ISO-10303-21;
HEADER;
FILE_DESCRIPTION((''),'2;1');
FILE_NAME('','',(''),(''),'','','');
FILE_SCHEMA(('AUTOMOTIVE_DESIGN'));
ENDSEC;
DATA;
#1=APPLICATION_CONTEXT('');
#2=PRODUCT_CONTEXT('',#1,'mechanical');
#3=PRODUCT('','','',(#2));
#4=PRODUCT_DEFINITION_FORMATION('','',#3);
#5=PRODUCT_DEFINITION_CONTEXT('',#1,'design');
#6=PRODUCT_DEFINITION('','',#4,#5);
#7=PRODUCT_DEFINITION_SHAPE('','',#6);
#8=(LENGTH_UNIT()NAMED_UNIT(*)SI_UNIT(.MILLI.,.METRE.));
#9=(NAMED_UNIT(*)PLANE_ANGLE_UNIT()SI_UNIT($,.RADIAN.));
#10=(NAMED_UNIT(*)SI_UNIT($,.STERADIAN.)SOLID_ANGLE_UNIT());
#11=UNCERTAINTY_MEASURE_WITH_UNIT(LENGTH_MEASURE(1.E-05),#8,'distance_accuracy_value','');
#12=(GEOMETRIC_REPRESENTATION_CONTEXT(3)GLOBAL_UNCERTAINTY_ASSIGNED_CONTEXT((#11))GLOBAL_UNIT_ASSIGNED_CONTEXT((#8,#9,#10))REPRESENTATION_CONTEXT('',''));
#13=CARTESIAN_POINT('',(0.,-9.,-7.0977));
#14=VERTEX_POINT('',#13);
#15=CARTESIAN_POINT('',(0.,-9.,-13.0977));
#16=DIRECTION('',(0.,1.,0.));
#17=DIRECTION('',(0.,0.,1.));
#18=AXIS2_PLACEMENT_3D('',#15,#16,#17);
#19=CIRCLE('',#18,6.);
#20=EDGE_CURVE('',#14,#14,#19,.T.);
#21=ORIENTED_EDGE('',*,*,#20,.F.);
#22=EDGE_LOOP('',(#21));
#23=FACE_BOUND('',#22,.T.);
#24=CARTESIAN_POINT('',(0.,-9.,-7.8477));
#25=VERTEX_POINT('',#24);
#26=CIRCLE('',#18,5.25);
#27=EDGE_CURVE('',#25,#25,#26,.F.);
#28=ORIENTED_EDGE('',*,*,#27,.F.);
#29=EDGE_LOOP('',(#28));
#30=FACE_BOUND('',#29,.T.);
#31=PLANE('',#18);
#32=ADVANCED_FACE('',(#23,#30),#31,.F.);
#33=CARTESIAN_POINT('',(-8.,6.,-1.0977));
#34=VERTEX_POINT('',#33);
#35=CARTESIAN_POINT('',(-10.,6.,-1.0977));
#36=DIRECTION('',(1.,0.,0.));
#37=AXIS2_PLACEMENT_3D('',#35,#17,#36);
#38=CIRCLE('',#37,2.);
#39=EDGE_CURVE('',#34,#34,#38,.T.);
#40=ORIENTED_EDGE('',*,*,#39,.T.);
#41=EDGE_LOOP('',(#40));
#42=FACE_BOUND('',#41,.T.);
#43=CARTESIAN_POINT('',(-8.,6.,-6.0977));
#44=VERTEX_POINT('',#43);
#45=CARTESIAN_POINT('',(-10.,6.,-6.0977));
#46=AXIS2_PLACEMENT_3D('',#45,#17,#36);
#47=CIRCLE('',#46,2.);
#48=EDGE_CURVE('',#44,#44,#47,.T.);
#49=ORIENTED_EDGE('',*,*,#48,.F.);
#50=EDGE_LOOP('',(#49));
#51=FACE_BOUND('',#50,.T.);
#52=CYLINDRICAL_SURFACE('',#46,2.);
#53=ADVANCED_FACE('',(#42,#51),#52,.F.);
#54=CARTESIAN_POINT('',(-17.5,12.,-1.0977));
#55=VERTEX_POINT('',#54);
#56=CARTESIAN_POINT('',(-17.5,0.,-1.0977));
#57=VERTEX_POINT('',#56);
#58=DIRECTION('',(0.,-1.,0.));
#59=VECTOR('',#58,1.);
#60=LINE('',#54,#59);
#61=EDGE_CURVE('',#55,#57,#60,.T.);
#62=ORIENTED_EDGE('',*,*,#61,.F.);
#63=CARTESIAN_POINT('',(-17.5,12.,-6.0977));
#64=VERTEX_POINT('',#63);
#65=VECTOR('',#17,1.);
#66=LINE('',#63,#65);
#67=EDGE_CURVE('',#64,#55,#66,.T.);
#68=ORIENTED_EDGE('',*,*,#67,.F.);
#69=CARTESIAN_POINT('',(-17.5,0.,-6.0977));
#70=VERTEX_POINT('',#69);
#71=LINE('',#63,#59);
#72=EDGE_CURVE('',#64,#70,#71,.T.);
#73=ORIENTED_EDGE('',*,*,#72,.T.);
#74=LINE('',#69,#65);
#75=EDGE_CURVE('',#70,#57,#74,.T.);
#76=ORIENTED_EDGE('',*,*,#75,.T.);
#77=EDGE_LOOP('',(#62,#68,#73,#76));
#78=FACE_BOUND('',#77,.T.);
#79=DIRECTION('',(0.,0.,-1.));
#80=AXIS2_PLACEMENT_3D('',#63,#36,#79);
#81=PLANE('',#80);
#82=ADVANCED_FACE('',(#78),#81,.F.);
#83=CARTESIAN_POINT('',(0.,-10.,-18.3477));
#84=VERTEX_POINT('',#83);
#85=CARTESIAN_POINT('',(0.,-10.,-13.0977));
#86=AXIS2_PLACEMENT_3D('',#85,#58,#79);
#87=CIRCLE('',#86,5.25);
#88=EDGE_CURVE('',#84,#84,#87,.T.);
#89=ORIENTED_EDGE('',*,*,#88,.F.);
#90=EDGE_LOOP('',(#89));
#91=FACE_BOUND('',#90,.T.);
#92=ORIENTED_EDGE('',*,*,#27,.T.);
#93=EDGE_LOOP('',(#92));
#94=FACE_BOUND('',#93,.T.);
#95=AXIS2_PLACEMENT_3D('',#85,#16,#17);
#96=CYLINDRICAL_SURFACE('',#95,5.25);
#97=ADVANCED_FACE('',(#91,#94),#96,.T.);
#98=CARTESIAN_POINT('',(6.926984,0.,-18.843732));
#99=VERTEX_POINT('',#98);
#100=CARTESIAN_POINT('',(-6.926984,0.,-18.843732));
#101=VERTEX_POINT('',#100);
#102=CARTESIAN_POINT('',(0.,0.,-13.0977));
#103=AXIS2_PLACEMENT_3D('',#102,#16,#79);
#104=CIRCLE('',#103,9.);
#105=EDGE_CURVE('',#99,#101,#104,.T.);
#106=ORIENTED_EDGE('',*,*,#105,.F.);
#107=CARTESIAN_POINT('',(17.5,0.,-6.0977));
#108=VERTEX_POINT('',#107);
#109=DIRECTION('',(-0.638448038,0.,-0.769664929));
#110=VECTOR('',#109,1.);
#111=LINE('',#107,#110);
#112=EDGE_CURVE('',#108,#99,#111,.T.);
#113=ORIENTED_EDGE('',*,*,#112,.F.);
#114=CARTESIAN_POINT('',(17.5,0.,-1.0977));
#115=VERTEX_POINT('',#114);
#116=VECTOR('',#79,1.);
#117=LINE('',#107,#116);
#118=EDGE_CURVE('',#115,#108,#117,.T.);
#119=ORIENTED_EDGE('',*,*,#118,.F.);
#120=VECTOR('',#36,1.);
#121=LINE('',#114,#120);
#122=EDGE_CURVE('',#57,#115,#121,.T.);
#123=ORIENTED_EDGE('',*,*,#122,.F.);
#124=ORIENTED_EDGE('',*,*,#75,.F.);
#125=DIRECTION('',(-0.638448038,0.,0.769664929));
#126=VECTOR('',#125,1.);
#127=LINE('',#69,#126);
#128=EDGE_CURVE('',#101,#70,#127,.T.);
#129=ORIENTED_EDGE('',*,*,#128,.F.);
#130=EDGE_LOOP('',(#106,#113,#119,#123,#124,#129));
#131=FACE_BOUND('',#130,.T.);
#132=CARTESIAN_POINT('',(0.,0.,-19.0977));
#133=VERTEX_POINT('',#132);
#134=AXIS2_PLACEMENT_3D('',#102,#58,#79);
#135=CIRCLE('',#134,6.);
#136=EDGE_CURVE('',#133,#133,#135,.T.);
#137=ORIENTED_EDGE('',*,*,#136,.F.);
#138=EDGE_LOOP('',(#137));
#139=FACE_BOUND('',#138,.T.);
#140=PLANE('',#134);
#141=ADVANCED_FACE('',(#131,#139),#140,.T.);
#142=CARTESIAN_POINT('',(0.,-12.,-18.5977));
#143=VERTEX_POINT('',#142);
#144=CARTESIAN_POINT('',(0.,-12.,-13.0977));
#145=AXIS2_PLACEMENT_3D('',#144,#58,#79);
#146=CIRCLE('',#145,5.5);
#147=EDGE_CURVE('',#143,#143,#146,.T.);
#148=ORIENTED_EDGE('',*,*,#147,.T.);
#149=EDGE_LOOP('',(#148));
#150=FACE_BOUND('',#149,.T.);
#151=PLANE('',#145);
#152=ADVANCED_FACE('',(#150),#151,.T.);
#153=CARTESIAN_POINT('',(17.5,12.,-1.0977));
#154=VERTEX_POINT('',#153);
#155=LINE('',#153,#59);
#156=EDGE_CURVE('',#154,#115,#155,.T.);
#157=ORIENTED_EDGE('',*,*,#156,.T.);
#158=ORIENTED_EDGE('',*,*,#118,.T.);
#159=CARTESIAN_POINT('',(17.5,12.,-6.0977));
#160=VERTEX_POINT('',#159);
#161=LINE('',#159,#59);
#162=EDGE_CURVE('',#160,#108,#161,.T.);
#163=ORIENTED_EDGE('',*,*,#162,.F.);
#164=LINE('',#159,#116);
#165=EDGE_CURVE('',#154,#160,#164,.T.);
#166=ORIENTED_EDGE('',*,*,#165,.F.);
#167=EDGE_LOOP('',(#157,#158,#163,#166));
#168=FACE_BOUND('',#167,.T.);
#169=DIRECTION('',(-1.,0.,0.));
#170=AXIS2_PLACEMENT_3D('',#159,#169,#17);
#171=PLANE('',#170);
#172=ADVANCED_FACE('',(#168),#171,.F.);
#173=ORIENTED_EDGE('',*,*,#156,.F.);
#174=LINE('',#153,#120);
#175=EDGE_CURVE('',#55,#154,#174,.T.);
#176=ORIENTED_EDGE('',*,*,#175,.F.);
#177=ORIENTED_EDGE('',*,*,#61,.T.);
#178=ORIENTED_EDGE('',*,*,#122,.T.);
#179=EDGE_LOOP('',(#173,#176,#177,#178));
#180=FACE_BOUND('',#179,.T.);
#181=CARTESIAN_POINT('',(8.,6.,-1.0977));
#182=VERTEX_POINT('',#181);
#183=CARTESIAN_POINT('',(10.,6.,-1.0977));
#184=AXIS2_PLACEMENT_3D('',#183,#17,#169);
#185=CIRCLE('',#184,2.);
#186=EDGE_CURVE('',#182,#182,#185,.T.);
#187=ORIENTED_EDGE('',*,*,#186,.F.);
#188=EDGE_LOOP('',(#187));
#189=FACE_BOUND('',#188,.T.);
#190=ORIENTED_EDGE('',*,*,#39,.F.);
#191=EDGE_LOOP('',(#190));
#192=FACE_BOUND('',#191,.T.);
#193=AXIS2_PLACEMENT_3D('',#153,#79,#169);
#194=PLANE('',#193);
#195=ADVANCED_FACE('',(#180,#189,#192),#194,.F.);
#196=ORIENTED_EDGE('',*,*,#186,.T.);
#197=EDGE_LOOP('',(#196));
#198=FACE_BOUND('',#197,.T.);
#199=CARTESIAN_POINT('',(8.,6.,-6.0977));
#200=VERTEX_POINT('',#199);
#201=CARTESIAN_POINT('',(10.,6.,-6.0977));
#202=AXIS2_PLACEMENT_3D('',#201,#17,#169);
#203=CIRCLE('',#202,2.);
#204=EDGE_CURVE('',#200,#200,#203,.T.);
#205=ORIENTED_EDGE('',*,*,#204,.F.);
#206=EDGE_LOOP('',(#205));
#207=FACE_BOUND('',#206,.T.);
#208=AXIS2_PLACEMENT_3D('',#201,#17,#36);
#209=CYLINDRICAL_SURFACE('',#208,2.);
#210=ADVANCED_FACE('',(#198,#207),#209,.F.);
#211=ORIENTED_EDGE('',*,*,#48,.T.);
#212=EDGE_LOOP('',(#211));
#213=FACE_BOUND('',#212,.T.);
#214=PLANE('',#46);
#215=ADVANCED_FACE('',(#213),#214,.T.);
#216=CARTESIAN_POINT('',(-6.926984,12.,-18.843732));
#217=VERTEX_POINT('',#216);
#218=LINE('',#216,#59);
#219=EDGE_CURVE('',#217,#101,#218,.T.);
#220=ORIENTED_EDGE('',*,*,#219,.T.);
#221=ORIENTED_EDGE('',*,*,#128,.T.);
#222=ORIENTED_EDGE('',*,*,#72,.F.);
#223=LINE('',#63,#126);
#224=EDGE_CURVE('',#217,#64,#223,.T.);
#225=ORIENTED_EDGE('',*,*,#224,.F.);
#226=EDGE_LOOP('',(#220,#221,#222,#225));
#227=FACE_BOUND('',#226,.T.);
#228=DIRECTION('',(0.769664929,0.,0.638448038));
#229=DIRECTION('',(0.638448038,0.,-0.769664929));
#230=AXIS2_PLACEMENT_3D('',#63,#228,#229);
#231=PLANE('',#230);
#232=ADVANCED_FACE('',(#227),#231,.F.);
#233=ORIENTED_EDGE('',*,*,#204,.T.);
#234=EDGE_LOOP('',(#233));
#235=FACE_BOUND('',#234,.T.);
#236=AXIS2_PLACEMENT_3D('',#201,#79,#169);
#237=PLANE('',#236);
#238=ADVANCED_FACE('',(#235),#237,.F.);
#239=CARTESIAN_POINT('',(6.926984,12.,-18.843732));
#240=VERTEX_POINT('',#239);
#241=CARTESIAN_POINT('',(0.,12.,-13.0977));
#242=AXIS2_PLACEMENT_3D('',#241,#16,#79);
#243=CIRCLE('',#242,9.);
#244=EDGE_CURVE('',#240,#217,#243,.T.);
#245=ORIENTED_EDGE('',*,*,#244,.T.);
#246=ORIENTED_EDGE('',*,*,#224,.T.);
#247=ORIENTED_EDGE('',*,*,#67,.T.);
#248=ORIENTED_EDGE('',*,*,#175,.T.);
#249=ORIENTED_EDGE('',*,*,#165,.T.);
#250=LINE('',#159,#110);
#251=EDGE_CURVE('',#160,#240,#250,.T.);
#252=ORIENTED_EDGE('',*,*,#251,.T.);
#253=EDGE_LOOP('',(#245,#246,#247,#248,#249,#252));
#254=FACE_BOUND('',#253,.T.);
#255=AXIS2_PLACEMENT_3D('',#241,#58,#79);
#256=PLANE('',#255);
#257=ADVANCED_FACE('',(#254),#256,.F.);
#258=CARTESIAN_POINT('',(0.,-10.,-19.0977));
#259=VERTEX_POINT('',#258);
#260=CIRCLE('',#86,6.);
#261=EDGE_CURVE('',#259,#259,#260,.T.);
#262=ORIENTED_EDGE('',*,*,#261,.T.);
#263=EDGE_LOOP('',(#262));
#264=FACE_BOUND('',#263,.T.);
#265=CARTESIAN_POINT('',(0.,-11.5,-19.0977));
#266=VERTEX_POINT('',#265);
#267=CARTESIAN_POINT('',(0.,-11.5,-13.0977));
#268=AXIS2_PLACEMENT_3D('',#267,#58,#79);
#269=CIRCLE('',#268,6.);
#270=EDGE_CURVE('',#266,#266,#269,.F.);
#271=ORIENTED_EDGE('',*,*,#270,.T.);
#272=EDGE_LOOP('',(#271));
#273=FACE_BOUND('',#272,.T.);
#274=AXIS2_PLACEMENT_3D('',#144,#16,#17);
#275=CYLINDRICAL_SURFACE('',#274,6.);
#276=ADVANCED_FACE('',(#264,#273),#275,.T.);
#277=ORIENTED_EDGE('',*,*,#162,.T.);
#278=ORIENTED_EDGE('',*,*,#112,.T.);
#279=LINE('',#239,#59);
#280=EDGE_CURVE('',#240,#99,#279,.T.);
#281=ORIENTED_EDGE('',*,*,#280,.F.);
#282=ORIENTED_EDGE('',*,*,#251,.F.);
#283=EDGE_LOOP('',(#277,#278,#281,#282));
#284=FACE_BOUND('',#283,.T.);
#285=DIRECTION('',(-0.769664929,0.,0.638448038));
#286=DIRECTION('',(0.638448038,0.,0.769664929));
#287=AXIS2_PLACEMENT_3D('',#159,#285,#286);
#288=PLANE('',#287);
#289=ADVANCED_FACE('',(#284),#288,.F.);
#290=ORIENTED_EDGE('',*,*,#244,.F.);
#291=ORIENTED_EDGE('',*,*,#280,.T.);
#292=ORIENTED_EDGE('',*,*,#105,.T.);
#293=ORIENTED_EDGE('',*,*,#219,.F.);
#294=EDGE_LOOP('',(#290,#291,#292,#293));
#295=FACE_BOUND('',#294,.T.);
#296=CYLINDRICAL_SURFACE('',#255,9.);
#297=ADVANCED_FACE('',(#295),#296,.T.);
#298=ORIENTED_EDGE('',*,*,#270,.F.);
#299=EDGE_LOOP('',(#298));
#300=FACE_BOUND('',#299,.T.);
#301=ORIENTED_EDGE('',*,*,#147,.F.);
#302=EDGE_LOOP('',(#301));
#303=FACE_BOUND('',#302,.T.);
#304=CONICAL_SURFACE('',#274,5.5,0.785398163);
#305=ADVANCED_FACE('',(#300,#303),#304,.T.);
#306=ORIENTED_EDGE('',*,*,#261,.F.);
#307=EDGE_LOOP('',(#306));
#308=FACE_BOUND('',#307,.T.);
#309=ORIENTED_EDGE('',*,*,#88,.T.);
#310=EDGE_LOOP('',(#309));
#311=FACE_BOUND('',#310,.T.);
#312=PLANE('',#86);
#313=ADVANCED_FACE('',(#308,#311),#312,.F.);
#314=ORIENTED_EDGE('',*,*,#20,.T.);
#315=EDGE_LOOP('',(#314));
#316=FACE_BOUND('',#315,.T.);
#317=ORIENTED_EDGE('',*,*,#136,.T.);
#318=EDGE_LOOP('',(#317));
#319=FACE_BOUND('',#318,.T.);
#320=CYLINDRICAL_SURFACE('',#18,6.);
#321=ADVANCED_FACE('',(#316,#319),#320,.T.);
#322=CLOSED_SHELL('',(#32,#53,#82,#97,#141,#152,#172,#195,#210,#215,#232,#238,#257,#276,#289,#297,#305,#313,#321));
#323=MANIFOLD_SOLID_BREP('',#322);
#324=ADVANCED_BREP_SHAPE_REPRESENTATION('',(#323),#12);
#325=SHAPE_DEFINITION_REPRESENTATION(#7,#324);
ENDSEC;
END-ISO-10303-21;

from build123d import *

# Parameters (mm, degrees)
EXTRUDE_1_DEPTH     = 12
SKETCH_2_R          = 6
EXTRUDE_2_DEPTH     = 9
SKETCH_3_R          = 5.25
EXTRUDE_3_DEPTH     = 1
SKETCH_4_R          = 6
EXTRUDE_4_DEPTH     = 2
CHAMFER_1_SIZE      = 0.5
SKETCH_5_R          = 2
CUT_EXTRUDE_1_DEPTH = 5


with BuildPart() as part:
    # 草图1 → 凸台-拉伸1 (new body)
    with BuildSketch(Plane(origin=(0, 0, 0), x_dir=(1, 0, 0), z_dir=(0, 1, 0))):
        with BuildLine():
            Line((-17.5, 6.09769995), (-6.926984364, 18.843732288))
            ThreePointArc((-6.926984364, 18.843732288), (0, 22.09769995), (6.926984364, 18.843732288))
            Line((6.926984364, 18.843732288), (17.5, 6.09769995))
            Line((17.5, 6.09769995), (17.5, 1.09769995))
            Line((17.5, 1.09769995), (-17.5, 1.09769995))
            Line((-17.5, 1.09769995), (-17.5, 6.09769995))
        make_face()
    extrude(amount=EXTRUDE_1_DEPTH)

    # 草图2 → 凸台-拉伸2 (add)
    with BuildSketch(Plane(origin=(0, 0, 0), x_dir=(1, 0, 0), z_dir=(0, 1, 0))):
        with Locations(Location((0, 13.09769995, 0), (0, 0, 270))):
            Circle(SKETCH_2_R)
    extrude(amount=-EXTRUDE_2_DEPTH)

    # 草图3 → 凸台-拉伸3 (add)
    with BuildSketch(Plane(origin=(0, -9, 0), x_dir=(-1, 0, 0), z_dir=(0, -1, 0))):
        with Locations(Location((0, 13.09769995, 0), (0, 0, 270))):
            Circle(SKETCH_3_R)
    extrude(amount=EXTRUDE_3_DEPTH)

    # 草图4 → 凸台-拉伸4 (add)
    with BuildSketch(Plane(origin=(0, -10, 0), x_dir=(-1, 0, 0), z_dir=(0, -1, 0))):
        with Locations(Location((0, 13.09769995, 0), (0, 0, 270))):
            Circle(SKETCH_4_R)
    extrude(amount=EXTRUDE_4_DEPTH)

    # 倒角1
    chamfer_1_edges = [part.edges().sort_by_distance(p)[0] for p in [
        (0, -12, -19.09769995),
    ]]
    chamfer(chamfer_1_edges, length=CHAMFER_1_SIZE)

    # 草图5 → 切除-拉伸1 (cut)
    with BuildSketch(Plane.XY.offset(-1.09769995)):
        with Locations((-10, 6)):
            Circle(SKETCH_5_R)
        with Locations(Location((10, 6, 0), (0, 0, 180))):
            Circle(SKETCH_5_R)
    extrude(amount=-CUT_EXTRUDE_1_DEPTH, mode=Mode.SUBTRACT)


solid = part.part
